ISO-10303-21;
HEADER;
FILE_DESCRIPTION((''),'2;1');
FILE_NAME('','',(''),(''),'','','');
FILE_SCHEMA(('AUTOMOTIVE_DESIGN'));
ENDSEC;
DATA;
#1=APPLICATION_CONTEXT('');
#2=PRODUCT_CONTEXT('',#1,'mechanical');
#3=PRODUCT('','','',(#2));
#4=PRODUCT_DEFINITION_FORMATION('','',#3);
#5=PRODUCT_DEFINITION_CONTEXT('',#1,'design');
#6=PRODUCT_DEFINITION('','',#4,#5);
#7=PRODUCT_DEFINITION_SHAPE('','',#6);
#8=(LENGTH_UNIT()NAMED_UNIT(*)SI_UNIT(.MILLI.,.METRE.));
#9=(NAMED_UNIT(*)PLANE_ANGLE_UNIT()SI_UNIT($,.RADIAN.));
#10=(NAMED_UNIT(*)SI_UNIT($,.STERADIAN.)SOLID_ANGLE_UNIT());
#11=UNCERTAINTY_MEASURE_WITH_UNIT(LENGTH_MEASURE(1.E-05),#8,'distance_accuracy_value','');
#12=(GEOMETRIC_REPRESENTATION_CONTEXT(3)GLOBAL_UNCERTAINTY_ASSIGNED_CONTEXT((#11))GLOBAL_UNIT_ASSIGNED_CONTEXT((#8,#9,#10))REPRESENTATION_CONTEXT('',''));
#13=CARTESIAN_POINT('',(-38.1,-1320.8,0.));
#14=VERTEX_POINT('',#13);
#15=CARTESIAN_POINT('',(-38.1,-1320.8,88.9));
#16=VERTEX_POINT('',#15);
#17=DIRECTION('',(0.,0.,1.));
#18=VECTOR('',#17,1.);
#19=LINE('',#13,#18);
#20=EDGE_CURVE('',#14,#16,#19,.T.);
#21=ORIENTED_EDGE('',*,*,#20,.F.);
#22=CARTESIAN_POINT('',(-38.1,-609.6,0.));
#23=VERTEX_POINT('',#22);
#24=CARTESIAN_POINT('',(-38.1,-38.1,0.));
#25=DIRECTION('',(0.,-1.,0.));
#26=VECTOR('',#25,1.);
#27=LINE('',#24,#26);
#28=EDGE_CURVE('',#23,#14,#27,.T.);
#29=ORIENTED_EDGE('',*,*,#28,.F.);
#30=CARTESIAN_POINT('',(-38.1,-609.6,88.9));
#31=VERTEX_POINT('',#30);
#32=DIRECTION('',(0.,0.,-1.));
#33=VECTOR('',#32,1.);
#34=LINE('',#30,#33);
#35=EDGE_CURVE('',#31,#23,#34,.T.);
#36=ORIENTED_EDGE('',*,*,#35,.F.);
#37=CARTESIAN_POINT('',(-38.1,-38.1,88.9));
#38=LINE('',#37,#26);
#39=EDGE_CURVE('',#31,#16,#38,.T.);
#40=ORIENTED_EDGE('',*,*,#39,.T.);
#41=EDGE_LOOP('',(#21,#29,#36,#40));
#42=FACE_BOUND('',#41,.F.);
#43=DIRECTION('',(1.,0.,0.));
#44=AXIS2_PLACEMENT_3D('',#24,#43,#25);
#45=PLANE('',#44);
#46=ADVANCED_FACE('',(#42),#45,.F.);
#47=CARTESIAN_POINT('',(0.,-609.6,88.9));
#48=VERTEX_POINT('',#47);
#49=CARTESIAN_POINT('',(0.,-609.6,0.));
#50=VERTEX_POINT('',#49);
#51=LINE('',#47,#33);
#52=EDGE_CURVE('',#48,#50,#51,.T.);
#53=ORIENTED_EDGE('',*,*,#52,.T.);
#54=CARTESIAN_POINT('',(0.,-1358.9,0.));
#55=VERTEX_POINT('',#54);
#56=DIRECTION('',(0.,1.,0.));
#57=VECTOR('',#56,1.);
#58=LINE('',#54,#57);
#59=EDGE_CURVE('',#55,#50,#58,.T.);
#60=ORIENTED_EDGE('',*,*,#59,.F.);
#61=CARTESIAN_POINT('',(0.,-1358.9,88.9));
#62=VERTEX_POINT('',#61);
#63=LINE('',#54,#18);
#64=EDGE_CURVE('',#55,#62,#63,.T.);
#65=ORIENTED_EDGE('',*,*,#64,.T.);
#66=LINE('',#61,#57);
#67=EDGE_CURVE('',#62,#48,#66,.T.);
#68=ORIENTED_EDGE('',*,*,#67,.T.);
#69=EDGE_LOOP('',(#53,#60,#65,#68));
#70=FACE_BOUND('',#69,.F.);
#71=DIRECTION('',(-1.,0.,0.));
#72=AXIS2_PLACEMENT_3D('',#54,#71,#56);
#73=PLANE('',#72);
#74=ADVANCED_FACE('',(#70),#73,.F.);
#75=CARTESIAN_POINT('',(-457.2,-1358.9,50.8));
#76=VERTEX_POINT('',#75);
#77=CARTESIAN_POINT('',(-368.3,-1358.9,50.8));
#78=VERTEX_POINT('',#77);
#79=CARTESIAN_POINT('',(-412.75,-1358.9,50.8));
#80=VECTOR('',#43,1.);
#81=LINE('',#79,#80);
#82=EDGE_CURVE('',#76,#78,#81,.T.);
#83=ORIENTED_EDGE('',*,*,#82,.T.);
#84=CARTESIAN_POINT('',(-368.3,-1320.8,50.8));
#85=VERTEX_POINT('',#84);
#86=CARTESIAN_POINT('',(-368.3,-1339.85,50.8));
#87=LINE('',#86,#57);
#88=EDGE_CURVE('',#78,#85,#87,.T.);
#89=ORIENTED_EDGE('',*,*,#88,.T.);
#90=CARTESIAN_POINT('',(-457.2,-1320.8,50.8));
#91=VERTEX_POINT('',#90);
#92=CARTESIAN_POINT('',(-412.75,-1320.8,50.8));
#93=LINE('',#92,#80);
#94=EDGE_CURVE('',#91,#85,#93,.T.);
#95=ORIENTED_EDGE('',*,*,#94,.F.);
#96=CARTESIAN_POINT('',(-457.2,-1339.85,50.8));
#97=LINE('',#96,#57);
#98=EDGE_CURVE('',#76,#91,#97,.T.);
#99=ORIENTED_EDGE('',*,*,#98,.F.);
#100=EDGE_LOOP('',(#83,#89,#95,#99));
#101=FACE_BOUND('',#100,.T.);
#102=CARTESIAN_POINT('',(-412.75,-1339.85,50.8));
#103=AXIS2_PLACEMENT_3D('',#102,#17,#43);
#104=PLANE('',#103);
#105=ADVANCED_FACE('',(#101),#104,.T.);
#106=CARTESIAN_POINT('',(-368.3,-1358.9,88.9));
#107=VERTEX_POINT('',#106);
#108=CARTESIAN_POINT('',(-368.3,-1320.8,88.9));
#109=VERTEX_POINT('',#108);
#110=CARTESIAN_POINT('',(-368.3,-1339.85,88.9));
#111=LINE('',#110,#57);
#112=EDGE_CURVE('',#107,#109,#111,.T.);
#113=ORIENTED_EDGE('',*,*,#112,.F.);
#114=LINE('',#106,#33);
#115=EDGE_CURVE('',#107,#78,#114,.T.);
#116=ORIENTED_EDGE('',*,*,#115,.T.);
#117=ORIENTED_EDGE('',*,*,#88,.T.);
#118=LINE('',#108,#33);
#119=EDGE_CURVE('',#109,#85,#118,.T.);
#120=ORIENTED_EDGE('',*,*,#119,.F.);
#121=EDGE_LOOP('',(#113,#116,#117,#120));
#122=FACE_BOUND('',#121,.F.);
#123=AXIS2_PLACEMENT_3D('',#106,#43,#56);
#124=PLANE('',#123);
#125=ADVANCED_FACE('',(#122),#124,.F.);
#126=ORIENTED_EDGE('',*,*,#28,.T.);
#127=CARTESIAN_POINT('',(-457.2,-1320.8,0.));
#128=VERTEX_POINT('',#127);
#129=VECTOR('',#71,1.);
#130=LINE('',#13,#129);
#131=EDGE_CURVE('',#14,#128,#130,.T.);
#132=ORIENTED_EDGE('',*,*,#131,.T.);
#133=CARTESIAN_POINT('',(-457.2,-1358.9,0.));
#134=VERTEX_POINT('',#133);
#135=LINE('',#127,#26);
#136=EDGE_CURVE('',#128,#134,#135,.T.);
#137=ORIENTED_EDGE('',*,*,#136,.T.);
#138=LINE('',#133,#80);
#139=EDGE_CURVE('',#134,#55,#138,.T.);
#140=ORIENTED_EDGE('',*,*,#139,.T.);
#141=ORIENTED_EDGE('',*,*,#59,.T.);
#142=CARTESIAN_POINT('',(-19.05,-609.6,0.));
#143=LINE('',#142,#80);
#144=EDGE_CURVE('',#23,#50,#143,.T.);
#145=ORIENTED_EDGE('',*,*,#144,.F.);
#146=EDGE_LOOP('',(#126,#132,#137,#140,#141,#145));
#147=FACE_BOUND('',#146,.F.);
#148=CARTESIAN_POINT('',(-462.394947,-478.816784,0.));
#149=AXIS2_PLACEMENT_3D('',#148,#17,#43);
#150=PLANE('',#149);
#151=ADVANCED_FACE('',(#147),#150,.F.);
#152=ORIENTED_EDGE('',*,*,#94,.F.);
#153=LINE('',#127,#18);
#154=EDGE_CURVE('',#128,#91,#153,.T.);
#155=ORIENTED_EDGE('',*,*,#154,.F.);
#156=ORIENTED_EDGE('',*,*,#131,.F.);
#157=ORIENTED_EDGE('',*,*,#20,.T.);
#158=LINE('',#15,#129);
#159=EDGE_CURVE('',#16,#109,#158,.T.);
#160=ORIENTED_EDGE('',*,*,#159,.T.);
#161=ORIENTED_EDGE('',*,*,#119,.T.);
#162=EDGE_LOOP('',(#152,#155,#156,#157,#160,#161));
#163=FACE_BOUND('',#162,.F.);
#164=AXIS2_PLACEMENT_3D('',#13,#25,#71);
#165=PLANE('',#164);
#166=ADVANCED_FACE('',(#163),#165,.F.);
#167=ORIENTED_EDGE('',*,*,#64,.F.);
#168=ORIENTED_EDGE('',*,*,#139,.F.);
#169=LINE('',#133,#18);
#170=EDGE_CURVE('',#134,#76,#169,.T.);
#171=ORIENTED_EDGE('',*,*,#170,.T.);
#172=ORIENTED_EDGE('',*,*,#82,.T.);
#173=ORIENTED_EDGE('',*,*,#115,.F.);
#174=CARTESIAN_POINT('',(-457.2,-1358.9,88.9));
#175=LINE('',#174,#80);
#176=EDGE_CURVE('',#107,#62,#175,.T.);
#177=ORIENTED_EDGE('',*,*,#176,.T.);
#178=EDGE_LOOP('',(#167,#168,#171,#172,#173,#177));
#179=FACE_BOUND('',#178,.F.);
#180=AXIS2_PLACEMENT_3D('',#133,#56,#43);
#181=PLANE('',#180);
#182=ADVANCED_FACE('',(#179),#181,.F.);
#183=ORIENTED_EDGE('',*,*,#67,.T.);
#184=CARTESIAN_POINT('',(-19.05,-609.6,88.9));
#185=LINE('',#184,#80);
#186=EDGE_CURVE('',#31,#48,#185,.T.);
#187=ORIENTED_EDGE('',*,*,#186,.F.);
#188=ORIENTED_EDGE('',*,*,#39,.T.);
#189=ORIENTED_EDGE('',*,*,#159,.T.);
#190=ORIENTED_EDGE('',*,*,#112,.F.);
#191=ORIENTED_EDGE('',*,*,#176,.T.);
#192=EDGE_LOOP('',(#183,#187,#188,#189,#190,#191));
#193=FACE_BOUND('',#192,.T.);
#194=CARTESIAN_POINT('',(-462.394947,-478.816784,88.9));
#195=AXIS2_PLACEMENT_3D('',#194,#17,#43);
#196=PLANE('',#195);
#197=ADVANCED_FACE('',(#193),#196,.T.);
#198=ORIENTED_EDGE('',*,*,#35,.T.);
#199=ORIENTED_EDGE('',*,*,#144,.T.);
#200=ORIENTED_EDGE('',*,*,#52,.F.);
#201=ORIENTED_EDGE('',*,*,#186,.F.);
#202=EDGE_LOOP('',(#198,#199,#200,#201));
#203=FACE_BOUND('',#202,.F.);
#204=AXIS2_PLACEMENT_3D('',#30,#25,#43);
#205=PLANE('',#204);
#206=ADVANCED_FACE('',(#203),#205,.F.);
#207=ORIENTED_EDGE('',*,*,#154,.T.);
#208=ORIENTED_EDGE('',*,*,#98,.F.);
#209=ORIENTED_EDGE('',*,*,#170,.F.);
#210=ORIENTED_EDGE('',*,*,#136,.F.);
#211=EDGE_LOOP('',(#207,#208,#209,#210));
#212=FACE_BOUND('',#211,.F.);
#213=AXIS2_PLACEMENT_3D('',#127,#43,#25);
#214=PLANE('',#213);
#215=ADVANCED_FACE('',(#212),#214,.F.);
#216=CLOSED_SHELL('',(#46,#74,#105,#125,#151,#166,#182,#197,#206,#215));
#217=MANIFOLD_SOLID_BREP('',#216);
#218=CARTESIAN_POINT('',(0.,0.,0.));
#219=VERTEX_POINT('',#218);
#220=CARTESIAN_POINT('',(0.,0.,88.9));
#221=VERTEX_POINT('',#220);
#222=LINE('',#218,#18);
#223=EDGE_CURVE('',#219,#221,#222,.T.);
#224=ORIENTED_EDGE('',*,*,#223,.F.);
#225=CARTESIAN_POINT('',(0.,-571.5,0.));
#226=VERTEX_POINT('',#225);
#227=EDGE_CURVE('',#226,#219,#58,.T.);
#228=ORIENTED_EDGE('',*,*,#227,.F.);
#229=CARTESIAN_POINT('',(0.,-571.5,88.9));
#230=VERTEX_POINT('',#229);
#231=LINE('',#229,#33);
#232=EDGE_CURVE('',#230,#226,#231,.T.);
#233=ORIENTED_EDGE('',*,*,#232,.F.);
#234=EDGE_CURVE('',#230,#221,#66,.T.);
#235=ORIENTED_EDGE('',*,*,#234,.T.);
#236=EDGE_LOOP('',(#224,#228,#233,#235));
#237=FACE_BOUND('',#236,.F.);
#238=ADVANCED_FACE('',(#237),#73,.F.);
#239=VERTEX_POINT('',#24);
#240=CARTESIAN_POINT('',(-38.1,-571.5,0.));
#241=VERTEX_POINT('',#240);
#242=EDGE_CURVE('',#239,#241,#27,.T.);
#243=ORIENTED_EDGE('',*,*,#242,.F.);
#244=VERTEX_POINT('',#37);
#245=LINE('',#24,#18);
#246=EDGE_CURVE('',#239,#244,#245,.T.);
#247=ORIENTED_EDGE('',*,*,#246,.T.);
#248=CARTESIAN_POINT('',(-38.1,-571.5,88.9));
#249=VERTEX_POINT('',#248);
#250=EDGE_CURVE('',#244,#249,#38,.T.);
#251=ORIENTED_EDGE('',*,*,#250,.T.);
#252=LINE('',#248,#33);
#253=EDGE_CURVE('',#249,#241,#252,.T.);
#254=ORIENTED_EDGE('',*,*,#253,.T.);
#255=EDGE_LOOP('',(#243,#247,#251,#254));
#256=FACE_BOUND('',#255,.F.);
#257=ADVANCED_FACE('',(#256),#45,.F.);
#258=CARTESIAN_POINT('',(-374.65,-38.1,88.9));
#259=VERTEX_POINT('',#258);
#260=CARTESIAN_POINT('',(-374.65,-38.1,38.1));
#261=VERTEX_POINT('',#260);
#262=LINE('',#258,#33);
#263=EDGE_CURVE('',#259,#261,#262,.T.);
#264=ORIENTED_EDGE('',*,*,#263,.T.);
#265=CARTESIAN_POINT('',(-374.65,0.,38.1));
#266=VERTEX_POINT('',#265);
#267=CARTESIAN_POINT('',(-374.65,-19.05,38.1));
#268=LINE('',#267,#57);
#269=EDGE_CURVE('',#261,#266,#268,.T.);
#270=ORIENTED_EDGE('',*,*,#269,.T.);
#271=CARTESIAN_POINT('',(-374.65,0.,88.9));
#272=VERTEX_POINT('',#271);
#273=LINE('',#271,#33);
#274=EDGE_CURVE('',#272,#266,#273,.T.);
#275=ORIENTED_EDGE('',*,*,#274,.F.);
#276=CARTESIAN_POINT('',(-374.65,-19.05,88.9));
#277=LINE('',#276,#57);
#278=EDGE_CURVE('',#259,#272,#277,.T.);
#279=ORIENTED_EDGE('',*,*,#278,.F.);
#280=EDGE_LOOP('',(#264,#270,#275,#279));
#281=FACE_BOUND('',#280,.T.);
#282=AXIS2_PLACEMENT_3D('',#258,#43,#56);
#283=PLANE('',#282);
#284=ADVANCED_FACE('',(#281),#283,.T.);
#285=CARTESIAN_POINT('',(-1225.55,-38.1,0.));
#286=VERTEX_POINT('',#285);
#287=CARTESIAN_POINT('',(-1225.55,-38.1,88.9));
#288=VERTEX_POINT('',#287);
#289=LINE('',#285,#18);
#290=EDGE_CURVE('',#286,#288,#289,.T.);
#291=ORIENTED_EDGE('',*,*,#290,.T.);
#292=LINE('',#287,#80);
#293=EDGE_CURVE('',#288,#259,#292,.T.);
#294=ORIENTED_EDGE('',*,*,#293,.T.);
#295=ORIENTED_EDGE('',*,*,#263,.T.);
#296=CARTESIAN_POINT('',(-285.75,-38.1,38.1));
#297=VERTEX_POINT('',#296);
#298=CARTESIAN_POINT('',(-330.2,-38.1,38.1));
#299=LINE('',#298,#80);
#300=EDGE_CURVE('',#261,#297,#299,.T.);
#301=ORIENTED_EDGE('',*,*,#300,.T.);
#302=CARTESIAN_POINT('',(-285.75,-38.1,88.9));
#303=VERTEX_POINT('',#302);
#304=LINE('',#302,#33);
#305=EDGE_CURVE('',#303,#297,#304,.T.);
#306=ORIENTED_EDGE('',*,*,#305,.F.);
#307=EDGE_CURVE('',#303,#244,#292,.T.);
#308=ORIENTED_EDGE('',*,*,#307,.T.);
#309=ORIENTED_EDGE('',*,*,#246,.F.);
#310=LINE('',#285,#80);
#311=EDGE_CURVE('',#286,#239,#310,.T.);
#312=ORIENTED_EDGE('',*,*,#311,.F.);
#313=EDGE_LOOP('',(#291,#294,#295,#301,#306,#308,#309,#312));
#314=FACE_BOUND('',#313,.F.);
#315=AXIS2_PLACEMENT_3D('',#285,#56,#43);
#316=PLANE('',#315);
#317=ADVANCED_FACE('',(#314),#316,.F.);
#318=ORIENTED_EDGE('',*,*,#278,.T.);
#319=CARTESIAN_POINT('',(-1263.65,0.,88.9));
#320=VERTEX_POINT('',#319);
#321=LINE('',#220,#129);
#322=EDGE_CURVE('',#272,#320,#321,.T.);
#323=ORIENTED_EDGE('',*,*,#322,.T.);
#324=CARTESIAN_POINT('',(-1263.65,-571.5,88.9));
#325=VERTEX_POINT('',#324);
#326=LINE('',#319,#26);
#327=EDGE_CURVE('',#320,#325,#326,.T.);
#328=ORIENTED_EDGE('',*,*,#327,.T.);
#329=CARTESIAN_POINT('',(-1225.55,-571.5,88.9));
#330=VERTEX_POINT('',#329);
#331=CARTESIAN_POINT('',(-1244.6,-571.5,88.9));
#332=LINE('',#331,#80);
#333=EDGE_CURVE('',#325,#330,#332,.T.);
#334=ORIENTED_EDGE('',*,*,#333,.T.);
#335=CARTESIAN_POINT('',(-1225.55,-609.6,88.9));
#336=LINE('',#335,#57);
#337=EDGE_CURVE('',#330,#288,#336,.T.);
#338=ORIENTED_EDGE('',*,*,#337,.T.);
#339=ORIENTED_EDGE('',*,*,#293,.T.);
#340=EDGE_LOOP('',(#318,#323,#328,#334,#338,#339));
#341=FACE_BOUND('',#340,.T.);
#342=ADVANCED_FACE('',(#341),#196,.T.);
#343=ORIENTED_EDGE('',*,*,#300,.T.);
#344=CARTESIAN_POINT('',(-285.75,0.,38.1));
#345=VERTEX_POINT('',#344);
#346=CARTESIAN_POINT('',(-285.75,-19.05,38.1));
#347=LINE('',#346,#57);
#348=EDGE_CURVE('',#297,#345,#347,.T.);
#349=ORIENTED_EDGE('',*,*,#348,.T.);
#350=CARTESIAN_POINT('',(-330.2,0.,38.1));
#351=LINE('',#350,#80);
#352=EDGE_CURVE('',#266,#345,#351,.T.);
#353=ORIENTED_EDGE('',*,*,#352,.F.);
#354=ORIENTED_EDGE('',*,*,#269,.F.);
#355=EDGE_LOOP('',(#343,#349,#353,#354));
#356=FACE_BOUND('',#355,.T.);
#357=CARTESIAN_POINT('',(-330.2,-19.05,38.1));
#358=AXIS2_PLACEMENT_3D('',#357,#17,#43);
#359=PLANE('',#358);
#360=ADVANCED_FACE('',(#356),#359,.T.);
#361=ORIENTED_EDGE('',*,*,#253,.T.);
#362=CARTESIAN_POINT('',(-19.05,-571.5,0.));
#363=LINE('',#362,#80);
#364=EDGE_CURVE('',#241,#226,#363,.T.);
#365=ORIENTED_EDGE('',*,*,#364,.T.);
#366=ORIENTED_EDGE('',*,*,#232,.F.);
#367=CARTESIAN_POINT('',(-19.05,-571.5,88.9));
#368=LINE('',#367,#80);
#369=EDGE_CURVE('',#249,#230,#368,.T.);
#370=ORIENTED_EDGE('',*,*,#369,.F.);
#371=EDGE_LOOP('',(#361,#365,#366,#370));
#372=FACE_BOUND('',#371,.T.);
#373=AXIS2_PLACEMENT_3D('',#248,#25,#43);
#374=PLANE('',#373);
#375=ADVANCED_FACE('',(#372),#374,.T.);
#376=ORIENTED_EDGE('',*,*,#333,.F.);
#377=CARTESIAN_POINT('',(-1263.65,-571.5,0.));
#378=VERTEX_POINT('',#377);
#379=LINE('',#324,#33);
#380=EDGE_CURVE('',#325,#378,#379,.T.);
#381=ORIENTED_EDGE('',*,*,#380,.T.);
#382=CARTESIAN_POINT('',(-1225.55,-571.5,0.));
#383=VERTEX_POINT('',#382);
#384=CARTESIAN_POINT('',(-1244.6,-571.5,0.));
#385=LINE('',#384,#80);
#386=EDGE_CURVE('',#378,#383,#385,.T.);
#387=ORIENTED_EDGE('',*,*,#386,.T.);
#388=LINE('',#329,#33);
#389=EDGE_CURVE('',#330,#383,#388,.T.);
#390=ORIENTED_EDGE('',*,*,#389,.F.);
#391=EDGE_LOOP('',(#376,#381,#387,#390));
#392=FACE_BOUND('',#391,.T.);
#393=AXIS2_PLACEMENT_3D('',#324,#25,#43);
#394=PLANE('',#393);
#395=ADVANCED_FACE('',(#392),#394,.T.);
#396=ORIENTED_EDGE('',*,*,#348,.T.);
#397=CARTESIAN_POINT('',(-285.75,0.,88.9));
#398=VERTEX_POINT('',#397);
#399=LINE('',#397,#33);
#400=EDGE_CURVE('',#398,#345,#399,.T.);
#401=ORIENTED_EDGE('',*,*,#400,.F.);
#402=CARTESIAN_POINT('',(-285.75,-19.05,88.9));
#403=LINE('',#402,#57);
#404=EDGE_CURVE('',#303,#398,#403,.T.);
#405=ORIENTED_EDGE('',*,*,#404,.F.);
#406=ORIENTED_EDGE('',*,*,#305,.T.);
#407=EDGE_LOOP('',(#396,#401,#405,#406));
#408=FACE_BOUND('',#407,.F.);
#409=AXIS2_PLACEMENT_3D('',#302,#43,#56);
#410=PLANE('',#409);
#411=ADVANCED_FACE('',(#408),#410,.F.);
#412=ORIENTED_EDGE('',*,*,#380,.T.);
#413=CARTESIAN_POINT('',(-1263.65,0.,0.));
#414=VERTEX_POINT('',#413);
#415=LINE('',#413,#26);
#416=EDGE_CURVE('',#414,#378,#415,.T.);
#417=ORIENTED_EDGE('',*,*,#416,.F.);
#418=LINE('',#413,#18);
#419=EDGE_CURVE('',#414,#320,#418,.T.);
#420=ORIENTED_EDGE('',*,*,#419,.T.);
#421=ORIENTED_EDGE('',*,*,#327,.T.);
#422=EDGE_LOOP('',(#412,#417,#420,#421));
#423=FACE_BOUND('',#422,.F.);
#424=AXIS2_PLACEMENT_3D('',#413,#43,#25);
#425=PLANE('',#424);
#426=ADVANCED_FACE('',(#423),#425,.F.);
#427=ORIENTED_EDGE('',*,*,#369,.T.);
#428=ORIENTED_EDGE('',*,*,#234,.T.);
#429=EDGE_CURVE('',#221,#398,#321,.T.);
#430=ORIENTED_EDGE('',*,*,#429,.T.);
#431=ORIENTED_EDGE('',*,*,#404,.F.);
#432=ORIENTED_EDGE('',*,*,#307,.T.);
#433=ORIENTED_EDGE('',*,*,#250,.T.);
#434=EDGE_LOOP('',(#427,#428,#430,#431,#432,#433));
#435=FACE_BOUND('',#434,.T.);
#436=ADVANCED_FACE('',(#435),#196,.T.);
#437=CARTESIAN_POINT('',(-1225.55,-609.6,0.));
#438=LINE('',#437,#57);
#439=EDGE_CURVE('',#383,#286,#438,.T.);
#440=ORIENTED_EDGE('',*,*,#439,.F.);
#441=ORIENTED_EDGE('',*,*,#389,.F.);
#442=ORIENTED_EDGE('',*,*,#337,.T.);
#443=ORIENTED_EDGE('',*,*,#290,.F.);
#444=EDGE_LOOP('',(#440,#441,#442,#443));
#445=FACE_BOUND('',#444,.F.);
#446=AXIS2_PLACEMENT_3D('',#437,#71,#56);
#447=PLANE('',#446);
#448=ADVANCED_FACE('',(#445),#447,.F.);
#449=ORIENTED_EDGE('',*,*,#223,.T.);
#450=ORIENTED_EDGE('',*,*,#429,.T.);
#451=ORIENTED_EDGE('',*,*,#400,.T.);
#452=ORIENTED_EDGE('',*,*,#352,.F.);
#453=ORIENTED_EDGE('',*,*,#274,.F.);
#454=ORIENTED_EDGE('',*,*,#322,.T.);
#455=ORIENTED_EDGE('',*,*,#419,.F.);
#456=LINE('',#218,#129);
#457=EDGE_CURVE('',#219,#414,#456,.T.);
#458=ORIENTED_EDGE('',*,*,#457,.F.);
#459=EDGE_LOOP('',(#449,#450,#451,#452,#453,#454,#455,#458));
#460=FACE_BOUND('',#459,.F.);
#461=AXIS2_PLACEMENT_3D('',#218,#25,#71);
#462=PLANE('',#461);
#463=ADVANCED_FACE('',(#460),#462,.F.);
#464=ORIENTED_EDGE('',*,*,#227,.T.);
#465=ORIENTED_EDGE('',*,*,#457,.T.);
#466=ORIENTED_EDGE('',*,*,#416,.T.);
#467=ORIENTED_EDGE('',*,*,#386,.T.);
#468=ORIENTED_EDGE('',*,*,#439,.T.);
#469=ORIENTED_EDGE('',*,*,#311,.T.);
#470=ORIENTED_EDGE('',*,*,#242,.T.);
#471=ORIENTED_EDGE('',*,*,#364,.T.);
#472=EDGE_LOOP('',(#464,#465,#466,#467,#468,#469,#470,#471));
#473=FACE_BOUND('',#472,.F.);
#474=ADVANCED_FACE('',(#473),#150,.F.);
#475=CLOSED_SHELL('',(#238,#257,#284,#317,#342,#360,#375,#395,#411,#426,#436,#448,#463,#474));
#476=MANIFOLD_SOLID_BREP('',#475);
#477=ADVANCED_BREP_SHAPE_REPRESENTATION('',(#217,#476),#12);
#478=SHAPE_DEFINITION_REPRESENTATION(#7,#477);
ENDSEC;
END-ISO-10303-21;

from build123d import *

# Parameters (mm, degrees)
F1_DEPTH = 88.9
F2_W     = 38.1
F2_H     = 38.1
F3_DEPTH = 88.9
F4_W     = 88.9
F4_H     = 38.1
F5_DEPTH = 38.1
F6_W     = 88.9
F6_H     = 38.1
F7_DEPTH = 50.8


with BuildPart() as f1:
    # F0 (on Top) → F1 (new body)
    with BuildSketch(Plane.XY):
        Polygon((0, -1358.9), (0, 0), (-1263.65, 0), (-1263.65, -609.6), (-1225.55, -609.6), (-1225.55, -38.1), (-38.1, -38.1), (-38.1, -1320.8), (-457.2, -1320.8), (-457.2, -1358.9), align=None)
    extrude(amount=F1_DEPTH)

    # F2 (on face) → F3 (cut)
    with BuildSketch(Plane.XY.offset(88.9)):
        with Locations((-19.05, -590.55)):
            Rectangle(F2_W, F2_H)
        with Locations((-1244.6, -590.55)):
            Rectangle(F2_W, F2_H)
    extrude(amount=-F3_DEPTH, mode=Mode.SUBTRACT)

    # F4 (on face) → F5 (cut)
    with BuildSketch(Plane.XY.offset(88.9)):
        with Locations((-412.75, -1339.85)):
            Rectangle(F4_W, F4_H)
    extrude(amount=-F5_DEPTH, mode=Mode.SUBTRACT)

    # F6 (on face) → F7 (cut)
    with BuildSketch(Plane.XY.offset(88.9)):
        with Locations((-330.2, -19.05)):
            Rectangle(F6_W, F6_H)
    extrude(amount=-F7_DEPTH, mode=Mode.SUBTRACT)


solid = f1.part
